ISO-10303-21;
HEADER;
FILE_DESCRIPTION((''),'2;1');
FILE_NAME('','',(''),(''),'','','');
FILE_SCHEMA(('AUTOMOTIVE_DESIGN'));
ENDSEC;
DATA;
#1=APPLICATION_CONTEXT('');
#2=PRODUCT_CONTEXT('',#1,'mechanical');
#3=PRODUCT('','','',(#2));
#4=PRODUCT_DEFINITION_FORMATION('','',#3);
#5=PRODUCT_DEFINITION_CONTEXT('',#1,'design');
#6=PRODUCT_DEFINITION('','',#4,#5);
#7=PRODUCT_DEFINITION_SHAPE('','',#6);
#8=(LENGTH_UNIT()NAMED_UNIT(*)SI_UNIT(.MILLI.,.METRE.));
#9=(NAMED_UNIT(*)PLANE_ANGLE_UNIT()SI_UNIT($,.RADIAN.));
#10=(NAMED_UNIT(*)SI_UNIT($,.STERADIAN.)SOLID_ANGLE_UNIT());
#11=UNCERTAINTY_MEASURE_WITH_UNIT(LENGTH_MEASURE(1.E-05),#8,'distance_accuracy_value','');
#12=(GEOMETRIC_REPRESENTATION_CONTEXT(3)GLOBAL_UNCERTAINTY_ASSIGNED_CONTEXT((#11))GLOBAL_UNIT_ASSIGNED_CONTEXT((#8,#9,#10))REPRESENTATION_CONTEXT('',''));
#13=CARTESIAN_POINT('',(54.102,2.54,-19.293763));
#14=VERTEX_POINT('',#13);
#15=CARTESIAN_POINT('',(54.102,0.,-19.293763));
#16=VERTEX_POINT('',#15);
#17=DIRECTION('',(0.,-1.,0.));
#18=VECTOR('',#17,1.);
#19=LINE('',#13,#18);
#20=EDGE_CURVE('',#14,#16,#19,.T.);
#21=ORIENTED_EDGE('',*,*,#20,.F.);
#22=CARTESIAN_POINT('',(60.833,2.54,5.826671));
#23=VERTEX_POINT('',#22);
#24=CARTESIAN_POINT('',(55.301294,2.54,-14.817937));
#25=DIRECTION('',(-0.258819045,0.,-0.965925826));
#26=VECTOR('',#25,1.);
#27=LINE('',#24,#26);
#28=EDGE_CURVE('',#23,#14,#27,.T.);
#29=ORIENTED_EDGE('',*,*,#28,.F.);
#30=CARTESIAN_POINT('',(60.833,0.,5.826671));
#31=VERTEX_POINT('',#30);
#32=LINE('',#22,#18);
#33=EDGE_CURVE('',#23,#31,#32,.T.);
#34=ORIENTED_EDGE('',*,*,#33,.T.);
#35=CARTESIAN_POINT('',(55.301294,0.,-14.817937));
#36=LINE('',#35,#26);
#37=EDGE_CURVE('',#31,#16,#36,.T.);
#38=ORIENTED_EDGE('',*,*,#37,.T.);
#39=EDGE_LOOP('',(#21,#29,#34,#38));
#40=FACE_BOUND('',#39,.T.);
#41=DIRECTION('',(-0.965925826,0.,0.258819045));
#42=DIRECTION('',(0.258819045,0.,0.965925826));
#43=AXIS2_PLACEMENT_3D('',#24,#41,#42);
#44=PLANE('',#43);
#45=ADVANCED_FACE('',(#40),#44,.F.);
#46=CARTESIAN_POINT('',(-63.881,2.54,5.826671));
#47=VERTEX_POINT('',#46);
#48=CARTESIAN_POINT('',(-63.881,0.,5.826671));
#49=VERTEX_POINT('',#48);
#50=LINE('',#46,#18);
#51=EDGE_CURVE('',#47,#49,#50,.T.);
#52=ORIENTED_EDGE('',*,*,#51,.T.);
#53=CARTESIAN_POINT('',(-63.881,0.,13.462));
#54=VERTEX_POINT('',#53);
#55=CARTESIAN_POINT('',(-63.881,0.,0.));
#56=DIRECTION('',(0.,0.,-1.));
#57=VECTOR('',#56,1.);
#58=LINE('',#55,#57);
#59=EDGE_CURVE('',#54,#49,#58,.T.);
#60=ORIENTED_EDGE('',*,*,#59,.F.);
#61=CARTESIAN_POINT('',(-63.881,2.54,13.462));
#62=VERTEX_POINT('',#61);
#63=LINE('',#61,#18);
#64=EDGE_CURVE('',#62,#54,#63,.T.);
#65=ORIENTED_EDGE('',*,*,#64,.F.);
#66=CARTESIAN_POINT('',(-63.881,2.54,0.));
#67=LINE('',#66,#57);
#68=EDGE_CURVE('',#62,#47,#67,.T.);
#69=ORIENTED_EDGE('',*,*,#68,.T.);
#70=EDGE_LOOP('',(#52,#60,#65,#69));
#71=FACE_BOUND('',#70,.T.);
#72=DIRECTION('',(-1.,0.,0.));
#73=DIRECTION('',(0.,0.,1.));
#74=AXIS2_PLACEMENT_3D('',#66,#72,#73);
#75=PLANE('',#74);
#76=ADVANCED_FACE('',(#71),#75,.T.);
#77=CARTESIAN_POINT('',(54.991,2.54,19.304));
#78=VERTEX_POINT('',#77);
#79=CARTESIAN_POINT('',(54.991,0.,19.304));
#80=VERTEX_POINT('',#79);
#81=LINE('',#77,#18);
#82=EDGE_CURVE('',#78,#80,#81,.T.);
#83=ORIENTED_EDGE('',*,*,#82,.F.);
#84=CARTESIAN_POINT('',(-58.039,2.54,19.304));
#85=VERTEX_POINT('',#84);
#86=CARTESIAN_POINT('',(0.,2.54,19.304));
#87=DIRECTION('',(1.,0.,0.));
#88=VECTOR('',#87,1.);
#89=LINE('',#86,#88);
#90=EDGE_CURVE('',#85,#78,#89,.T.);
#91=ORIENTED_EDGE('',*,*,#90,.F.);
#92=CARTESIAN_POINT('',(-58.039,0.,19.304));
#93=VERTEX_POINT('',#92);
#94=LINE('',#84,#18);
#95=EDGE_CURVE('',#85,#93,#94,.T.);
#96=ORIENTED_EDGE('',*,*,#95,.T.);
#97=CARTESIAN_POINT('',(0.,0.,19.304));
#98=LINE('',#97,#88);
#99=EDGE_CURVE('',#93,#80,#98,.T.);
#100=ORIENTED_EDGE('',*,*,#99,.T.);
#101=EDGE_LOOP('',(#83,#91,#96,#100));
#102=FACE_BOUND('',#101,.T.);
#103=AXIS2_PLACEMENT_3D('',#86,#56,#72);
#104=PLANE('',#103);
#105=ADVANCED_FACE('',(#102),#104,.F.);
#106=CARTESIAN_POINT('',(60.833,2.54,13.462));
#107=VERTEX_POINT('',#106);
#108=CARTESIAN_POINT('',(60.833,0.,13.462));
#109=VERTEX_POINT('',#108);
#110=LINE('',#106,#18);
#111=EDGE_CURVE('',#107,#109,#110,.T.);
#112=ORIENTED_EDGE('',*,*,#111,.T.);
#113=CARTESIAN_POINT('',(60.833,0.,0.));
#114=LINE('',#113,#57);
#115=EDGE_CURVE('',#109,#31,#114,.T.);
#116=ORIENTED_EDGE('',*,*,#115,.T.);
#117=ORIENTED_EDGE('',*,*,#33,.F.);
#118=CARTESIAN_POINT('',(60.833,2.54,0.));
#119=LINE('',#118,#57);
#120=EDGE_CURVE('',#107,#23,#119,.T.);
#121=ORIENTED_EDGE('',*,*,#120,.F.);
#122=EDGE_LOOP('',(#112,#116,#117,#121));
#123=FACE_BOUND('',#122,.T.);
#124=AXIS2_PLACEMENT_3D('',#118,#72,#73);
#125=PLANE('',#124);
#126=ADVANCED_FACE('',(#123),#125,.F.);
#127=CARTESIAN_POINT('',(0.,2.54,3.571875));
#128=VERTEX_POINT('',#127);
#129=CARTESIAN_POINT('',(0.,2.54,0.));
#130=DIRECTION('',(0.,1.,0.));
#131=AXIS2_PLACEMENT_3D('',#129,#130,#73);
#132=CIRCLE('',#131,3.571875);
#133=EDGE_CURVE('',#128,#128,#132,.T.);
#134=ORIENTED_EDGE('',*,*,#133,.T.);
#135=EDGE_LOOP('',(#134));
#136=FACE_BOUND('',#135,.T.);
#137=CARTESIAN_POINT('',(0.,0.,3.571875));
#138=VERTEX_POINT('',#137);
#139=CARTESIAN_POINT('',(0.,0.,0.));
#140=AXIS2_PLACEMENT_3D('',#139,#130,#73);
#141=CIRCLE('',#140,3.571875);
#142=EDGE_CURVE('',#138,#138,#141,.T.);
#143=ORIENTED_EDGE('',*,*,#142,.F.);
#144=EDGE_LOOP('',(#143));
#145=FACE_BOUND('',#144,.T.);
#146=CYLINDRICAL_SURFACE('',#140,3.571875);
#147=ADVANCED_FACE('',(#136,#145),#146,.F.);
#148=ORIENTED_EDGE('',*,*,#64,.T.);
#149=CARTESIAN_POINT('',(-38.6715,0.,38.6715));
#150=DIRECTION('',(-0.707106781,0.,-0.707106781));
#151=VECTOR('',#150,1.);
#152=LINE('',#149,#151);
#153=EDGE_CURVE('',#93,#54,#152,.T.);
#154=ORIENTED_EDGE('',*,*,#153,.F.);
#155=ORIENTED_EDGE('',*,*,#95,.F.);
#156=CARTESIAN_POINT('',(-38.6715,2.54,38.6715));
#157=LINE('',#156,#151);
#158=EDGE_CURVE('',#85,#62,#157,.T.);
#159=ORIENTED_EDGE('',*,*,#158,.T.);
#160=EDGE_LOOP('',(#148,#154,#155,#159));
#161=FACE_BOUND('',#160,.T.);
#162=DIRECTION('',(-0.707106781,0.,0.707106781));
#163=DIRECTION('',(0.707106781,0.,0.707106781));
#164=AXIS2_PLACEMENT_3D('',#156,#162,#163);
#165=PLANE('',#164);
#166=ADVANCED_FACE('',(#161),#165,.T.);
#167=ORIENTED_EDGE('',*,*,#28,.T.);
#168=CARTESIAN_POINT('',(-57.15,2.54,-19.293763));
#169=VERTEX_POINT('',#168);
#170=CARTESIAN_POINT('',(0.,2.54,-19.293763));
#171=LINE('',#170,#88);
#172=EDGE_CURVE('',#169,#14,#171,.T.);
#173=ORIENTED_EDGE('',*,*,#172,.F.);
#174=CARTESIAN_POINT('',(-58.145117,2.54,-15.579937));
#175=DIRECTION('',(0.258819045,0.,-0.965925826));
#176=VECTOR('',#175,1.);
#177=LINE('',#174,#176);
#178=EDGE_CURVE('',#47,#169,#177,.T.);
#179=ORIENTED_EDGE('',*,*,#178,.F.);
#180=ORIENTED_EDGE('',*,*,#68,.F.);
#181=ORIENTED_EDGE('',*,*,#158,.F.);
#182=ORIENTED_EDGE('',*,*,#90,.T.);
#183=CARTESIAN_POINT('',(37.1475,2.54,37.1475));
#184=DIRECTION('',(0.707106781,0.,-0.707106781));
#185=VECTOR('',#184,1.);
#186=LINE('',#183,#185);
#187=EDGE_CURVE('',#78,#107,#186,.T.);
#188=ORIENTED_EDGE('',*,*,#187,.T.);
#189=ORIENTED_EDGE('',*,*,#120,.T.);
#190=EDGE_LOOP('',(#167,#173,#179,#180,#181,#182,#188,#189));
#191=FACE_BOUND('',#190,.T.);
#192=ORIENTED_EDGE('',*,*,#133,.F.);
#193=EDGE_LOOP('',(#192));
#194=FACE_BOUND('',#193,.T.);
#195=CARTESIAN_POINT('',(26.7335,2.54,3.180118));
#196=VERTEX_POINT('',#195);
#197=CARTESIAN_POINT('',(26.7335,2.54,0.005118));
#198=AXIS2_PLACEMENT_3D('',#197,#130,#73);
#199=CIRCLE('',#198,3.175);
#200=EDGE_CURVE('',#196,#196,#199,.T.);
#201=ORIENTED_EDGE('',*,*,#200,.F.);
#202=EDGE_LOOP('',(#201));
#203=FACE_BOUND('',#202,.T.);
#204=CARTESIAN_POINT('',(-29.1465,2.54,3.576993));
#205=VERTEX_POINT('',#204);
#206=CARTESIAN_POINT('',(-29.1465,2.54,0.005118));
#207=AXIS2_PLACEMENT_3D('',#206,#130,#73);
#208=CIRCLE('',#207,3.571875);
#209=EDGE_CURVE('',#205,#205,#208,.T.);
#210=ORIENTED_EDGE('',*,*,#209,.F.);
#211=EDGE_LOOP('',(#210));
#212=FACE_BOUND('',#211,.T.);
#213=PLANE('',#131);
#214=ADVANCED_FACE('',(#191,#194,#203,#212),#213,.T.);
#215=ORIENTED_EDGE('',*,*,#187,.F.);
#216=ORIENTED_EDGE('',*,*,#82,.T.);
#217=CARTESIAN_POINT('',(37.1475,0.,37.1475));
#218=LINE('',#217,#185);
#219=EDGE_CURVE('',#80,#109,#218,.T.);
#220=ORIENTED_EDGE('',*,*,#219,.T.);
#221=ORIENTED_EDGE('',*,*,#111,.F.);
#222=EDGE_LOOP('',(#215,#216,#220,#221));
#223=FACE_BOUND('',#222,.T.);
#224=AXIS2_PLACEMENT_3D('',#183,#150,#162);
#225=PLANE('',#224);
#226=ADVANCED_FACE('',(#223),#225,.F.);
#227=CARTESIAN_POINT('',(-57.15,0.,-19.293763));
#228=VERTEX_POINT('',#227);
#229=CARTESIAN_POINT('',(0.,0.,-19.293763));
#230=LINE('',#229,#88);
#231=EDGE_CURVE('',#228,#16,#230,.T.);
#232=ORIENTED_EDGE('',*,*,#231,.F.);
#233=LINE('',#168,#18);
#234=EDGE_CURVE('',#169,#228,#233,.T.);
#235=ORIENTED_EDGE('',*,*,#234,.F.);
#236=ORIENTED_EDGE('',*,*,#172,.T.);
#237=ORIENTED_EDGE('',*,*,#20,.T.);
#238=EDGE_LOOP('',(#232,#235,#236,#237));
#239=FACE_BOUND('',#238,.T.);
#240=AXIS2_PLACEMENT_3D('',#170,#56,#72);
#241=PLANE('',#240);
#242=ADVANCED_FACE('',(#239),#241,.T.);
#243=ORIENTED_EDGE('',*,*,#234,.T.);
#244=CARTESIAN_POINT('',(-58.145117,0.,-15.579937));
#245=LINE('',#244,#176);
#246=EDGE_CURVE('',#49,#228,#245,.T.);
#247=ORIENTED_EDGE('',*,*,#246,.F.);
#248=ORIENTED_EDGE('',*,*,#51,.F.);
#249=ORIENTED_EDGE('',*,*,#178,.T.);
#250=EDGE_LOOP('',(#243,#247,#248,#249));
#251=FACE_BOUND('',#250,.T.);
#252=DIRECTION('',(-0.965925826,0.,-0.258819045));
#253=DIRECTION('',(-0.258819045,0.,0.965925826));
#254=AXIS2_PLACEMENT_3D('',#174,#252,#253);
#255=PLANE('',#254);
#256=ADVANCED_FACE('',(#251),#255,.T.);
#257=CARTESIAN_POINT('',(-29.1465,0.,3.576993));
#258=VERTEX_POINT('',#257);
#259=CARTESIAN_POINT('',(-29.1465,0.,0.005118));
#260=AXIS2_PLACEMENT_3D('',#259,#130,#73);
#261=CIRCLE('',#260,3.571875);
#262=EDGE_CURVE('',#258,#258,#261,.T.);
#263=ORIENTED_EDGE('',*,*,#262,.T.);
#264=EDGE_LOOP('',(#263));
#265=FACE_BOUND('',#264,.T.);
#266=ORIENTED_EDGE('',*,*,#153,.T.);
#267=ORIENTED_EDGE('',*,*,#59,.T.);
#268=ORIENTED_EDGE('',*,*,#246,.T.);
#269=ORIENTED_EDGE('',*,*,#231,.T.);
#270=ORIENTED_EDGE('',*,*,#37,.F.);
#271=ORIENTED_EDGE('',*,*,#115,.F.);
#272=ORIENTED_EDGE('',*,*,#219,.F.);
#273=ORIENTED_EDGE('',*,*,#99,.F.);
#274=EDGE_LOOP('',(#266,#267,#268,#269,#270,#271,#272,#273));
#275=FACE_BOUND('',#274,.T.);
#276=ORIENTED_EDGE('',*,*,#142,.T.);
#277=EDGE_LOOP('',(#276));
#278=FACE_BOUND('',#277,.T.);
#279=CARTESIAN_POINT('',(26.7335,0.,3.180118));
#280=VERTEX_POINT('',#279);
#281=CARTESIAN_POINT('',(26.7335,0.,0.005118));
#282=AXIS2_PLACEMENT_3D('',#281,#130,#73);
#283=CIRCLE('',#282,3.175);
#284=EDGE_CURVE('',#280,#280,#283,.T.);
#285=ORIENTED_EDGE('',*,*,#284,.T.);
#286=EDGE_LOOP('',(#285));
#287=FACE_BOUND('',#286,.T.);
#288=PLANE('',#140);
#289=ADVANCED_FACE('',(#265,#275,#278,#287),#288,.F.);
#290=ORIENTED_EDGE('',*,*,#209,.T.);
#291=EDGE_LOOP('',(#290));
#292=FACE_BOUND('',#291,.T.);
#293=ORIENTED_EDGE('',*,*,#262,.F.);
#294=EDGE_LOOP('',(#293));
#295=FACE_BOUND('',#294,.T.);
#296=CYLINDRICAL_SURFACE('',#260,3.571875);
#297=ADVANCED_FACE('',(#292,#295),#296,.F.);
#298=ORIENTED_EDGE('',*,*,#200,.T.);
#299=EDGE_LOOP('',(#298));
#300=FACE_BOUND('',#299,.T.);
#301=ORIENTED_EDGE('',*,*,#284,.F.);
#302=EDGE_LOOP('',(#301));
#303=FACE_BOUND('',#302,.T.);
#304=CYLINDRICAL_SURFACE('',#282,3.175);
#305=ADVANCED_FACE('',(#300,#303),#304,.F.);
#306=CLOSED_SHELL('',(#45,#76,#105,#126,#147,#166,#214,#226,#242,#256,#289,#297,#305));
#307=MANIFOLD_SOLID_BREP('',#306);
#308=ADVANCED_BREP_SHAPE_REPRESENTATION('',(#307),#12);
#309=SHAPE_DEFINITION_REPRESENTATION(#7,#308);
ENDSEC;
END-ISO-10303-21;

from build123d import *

# Parameters (mm, degrees)
BOSS_EXTRUDE1_DEPTH = 2.54
SKETCH2_R           = 3.571875
SKETCH2_R_2         = 3.175
CUT_EXTRUDE4_DEPTH  = 67.782319344


with BuildPart() as part:
    # Sketch1 → Boss-Extrude1 (new body)
    with BuildSketch(Plane(origin=(0, 0, 0), x_dir=(1, 0, 0), z_dir=(0, 1, 0))):
        Polygon((54.991, -19.304), (60.833, -13.462), (60.833, -5.82667054), (54.102, 19.293763446), (-57.15, 19.293763446), (-63.881, -5.82667054), (-63.881, -13.462), (-58.039, -19.304), align=None)
    extrude(amount=BOSS_EXTRUDE1_DEPTH)

    # Sketch2 → Cut-Extrude4 (cut, through all)
    with BuildSketch(Plane(origin=(0, 2.54, 0), x_dir=(1, 0, 0), z_dir=(0, 1, 0))):
        with Locations(Location((-29.1465, -0.005118277, 0), (0, 0, 270))):
            Circle(SKETCH2_R)
        with Locations(Location((0, 0, 0), (0, 0, 270))):
            Circle(SKETCH2_R)
        with Locations(Location((26.7335, -0.005118277, 0), (0, 0, 270))):
            Circle(SKETCH2_R_2)
    extrude(amount=-CUT_EXTRUDE4_DEPTH, mode=Mode.SUBTRACT)


solid = part.part
